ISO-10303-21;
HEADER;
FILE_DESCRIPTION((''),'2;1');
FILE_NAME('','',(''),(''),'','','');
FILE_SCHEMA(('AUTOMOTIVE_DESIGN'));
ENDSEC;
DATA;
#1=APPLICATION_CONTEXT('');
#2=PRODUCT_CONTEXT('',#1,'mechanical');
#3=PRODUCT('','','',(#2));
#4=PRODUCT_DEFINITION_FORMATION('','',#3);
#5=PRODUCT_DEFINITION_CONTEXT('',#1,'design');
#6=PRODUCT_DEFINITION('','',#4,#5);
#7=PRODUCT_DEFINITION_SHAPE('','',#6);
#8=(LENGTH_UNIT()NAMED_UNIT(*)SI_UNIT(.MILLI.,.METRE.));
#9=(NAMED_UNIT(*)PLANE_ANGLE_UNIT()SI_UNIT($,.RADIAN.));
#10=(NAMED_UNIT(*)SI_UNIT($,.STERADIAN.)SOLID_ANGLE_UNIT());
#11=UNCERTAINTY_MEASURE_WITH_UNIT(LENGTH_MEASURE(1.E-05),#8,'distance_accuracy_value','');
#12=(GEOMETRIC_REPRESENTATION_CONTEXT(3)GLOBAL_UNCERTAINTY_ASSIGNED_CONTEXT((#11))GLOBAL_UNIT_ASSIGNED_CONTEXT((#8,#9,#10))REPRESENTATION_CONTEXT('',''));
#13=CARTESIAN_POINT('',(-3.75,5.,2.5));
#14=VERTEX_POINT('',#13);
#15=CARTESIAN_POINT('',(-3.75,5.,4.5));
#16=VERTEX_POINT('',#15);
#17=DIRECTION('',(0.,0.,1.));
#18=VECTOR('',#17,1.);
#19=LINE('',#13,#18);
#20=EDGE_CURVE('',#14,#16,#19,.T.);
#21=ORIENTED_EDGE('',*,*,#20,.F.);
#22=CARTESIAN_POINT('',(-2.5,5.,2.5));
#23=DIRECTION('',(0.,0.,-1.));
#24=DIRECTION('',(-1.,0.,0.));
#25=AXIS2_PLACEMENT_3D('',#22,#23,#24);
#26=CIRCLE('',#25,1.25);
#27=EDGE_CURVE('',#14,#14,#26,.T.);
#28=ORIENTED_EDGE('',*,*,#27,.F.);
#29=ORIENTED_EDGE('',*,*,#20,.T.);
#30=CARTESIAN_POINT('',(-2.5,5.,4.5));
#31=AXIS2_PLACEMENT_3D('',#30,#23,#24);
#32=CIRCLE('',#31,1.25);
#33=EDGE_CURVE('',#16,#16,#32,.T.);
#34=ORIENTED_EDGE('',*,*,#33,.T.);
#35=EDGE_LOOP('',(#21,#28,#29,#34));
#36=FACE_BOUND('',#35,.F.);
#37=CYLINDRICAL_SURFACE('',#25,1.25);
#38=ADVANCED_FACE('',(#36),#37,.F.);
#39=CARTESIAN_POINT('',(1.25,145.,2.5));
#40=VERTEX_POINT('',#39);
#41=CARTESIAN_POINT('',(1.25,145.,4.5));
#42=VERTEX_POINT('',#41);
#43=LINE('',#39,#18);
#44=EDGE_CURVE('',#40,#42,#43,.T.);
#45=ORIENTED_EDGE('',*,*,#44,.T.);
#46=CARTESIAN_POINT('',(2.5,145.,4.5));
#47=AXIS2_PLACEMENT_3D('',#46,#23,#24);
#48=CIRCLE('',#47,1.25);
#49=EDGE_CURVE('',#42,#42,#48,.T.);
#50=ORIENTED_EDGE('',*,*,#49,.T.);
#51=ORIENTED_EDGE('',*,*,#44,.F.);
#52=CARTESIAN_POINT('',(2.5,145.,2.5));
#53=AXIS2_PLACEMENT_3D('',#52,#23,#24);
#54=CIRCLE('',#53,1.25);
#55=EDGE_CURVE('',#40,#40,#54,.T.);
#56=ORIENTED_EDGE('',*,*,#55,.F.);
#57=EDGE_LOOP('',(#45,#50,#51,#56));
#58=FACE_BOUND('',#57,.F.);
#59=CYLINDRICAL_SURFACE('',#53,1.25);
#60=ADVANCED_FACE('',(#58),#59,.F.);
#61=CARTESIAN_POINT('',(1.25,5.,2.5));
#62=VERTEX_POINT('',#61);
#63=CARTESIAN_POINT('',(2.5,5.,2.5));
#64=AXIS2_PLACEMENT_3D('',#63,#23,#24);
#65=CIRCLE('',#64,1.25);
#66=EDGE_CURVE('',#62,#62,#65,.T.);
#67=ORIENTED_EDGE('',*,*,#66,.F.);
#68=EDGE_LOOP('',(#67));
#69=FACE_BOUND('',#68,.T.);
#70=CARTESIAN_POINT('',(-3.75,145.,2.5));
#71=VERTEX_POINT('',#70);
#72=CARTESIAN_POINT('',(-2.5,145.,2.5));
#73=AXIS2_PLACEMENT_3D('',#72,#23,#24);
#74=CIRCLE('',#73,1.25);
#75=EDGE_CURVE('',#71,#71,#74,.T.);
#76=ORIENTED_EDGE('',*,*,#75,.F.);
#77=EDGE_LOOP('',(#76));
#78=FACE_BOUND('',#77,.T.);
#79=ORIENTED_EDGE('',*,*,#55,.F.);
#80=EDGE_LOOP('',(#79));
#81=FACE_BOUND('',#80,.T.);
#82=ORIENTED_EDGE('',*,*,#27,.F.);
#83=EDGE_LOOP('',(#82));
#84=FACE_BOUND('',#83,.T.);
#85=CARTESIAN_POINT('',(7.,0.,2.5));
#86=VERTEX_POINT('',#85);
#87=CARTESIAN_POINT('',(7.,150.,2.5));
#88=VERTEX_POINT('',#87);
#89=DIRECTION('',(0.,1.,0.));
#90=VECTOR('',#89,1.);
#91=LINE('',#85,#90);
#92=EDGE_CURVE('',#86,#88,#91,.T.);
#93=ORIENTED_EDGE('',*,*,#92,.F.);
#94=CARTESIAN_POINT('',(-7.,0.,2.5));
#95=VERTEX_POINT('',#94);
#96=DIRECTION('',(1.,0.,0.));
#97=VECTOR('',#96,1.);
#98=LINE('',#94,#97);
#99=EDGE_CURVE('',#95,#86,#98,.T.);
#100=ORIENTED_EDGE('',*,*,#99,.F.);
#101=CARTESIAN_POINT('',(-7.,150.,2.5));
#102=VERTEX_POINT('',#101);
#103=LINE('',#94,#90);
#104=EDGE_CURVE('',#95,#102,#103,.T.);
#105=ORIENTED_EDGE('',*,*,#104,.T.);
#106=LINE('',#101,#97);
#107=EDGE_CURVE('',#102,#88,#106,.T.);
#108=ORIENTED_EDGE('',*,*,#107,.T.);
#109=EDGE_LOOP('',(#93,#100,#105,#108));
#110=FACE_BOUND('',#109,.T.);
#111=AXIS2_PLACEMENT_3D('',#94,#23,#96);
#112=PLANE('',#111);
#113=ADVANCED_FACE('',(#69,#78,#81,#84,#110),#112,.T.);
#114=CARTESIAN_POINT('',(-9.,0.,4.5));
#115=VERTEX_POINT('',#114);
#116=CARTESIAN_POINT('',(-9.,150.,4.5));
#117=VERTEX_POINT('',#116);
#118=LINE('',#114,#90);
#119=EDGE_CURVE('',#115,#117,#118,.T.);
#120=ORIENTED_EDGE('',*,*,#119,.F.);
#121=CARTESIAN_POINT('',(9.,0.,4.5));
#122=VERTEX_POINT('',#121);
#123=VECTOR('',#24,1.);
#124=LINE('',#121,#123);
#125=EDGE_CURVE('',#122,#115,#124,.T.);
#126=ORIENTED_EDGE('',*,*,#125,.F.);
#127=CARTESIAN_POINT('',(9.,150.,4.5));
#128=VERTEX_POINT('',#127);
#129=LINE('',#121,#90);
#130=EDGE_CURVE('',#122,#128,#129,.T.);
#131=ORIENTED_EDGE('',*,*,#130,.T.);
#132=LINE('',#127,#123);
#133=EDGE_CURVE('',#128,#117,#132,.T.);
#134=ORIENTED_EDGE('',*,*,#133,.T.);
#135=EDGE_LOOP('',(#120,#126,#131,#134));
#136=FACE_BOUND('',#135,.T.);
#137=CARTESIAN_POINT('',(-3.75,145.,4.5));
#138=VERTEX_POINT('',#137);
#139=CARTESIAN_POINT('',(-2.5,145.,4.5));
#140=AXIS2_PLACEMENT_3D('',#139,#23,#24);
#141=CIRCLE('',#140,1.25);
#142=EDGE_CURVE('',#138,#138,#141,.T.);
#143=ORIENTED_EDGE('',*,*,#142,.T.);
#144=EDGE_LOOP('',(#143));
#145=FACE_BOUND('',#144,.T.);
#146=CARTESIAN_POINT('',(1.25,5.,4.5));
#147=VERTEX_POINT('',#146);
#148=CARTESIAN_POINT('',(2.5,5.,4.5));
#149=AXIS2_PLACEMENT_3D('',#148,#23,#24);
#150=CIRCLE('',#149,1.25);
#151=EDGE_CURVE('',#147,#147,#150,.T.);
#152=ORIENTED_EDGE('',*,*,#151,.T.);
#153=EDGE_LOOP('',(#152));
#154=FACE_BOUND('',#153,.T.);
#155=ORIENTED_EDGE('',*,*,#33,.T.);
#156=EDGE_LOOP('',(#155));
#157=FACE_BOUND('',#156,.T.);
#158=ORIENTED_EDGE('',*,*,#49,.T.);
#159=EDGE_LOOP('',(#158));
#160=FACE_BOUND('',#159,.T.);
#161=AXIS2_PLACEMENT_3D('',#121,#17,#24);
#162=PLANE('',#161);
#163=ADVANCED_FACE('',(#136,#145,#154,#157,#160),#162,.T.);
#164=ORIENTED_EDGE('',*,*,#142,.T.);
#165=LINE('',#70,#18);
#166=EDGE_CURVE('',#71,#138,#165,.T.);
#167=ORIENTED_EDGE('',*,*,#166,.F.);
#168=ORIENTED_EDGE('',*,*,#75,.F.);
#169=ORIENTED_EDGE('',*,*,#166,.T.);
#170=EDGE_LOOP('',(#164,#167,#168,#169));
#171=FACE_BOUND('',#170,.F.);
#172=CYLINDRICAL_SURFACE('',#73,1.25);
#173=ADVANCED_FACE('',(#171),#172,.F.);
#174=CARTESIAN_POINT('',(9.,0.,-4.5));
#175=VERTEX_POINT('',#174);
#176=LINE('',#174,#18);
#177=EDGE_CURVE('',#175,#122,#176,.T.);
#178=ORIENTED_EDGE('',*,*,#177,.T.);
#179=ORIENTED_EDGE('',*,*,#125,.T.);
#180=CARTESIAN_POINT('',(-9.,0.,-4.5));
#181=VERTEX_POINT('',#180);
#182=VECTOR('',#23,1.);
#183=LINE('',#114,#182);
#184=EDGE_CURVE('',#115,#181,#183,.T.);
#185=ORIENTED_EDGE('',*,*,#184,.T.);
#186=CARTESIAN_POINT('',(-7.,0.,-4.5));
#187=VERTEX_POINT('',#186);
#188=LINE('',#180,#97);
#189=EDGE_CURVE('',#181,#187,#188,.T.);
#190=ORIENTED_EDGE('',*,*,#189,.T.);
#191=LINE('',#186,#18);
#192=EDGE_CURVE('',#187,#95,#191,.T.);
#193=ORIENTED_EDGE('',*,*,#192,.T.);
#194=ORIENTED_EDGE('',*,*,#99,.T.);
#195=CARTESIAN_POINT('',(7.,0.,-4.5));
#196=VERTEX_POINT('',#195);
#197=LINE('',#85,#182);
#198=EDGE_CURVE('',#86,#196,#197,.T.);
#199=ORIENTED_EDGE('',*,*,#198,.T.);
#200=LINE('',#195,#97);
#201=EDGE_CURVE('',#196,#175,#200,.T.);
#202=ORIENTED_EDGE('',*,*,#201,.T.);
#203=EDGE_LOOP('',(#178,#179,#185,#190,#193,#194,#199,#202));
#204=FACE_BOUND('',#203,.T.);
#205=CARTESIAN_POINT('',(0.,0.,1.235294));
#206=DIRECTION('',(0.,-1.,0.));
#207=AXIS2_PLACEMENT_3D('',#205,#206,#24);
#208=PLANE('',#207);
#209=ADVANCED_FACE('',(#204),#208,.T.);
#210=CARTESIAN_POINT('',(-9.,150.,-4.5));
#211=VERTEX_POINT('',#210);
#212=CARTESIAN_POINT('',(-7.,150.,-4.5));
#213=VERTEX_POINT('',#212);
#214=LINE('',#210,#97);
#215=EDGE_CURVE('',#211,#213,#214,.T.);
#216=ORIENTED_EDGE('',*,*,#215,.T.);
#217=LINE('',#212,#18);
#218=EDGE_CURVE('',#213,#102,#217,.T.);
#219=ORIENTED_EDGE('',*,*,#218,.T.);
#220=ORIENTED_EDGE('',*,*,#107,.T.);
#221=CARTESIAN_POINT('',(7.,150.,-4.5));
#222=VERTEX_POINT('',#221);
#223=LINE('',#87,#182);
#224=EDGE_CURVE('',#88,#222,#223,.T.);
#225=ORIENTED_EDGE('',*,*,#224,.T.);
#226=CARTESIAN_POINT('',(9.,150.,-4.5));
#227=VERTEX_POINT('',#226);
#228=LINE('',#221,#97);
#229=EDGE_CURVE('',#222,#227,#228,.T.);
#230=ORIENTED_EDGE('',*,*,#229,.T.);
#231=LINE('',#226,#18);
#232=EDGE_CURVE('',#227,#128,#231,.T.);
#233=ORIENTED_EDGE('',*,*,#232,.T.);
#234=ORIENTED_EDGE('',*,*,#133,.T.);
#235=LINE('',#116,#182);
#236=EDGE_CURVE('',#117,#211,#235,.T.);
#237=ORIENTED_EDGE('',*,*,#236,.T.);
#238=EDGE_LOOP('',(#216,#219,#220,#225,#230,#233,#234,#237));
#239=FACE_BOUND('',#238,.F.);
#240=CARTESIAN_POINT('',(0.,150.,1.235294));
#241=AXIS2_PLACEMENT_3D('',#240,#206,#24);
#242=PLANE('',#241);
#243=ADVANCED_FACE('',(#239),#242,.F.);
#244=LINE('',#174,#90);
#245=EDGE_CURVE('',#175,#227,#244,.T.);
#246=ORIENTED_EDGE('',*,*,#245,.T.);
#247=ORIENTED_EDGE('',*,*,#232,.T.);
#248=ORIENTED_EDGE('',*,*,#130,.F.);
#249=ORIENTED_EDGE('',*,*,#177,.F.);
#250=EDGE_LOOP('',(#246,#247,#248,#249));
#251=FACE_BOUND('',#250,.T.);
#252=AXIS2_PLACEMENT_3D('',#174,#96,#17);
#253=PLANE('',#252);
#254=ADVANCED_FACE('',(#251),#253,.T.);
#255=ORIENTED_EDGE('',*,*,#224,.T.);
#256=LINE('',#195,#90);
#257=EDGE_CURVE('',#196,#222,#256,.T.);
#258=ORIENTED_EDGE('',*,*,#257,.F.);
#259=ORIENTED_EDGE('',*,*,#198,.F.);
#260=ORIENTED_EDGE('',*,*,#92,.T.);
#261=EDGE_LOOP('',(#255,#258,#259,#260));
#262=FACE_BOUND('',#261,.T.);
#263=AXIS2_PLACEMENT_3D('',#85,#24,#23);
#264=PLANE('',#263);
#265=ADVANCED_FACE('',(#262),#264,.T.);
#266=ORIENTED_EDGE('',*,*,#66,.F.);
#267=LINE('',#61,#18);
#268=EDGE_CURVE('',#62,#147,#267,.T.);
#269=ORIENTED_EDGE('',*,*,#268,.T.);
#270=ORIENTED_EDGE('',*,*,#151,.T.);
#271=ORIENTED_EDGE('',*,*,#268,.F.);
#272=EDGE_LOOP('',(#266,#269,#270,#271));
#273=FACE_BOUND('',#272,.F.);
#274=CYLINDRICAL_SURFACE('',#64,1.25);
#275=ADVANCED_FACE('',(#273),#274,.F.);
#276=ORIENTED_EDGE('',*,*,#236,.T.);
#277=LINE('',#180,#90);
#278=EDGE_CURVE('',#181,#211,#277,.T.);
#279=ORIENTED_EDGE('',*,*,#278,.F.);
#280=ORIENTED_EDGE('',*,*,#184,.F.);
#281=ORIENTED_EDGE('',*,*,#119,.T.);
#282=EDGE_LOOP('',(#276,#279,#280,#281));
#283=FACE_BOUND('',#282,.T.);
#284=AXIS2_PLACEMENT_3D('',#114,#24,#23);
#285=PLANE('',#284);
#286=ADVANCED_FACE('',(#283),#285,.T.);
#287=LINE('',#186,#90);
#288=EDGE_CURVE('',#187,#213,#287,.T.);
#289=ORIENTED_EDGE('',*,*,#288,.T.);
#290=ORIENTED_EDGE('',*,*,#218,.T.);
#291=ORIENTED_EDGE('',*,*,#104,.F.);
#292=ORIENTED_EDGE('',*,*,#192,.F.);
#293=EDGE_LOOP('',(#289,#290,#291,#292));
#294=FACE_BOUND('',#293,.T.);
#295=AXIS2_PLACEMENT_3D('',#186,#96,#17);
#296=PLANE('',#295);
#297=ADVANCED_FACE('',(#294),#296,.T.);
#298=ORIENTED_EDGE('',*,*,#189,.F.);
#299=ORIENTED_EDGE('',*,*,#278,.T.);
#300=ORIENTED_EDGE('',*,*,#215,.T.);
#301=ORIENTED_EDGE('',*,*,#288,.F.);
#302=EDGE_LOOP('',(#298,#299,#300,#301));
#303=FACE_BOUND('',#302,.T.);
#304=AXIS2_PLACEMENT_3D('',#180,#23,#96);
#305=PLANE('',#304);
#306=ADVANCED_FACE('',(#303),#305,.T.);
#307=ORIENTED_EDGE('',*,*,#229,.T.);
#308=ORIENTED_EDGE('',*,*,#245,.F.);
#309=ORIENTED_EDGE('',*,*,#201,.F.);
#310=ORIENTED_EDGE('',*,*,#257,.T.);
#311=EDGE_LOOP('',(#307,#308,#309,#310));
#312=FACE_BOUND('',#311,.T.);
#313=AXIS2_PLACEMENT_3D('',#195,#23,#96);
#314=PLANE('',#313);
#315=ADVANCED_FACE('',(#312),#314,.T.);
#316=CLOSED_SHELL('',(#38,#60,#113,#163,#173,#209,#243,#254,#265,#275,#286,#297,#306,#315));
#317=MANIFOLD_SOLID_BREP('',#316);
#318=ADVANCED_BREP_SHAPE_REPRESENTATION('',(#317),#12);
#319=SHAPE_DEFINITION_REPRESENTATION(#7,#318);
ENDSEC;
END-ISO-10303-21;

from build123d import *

# Parameters (mm, degrees)
BOSS_EXTRUDE1_DEPTH = 150
SKETCH2_R           = 1.25
CUT_EXTRUDE1_DEPTH  = 10


with BuildPart() as part:
    # Sketch1 → Boss-Extrude1 (new body)
    with BuildSketch(Plane(origin=(0, 0, 0), x_dir=(1, 0, 0), z_dir=(0, 1, 0))):
        Polygon((-7, 4.5), (-7, -2.5), (7, -2.5), (7, 4.5), (9, 4.5), (9, -4.5), (-9, -4.5), (-9, 4.5), align=None)
    extrude(amount=BOSS_EXTRUDE1_DEPTH)

    # Sketch2 → Cut-Extrude1 (cut)
    with BuildSketch(Plane(origin=(0, 0, 2.5), x_dir=(-1, 0, 0), z_dir=(0, 0, -1))):
        with Locations((-2.5, 5)):
            Circle(SKETCH2_R)
        with Locations((2.5, 5)):
            Circle(SKETCH2_R)
        with Locations((2.5, 145)):
            Circle(SKETCH2_R)
        with Locations((-2.5, 145)):
            Circle(SKETCH2_R)
    extrude(amount=-CUT_EXTRUDE1_DEPTH, mode=Mode.SUBTRACT)


solid = part.part
